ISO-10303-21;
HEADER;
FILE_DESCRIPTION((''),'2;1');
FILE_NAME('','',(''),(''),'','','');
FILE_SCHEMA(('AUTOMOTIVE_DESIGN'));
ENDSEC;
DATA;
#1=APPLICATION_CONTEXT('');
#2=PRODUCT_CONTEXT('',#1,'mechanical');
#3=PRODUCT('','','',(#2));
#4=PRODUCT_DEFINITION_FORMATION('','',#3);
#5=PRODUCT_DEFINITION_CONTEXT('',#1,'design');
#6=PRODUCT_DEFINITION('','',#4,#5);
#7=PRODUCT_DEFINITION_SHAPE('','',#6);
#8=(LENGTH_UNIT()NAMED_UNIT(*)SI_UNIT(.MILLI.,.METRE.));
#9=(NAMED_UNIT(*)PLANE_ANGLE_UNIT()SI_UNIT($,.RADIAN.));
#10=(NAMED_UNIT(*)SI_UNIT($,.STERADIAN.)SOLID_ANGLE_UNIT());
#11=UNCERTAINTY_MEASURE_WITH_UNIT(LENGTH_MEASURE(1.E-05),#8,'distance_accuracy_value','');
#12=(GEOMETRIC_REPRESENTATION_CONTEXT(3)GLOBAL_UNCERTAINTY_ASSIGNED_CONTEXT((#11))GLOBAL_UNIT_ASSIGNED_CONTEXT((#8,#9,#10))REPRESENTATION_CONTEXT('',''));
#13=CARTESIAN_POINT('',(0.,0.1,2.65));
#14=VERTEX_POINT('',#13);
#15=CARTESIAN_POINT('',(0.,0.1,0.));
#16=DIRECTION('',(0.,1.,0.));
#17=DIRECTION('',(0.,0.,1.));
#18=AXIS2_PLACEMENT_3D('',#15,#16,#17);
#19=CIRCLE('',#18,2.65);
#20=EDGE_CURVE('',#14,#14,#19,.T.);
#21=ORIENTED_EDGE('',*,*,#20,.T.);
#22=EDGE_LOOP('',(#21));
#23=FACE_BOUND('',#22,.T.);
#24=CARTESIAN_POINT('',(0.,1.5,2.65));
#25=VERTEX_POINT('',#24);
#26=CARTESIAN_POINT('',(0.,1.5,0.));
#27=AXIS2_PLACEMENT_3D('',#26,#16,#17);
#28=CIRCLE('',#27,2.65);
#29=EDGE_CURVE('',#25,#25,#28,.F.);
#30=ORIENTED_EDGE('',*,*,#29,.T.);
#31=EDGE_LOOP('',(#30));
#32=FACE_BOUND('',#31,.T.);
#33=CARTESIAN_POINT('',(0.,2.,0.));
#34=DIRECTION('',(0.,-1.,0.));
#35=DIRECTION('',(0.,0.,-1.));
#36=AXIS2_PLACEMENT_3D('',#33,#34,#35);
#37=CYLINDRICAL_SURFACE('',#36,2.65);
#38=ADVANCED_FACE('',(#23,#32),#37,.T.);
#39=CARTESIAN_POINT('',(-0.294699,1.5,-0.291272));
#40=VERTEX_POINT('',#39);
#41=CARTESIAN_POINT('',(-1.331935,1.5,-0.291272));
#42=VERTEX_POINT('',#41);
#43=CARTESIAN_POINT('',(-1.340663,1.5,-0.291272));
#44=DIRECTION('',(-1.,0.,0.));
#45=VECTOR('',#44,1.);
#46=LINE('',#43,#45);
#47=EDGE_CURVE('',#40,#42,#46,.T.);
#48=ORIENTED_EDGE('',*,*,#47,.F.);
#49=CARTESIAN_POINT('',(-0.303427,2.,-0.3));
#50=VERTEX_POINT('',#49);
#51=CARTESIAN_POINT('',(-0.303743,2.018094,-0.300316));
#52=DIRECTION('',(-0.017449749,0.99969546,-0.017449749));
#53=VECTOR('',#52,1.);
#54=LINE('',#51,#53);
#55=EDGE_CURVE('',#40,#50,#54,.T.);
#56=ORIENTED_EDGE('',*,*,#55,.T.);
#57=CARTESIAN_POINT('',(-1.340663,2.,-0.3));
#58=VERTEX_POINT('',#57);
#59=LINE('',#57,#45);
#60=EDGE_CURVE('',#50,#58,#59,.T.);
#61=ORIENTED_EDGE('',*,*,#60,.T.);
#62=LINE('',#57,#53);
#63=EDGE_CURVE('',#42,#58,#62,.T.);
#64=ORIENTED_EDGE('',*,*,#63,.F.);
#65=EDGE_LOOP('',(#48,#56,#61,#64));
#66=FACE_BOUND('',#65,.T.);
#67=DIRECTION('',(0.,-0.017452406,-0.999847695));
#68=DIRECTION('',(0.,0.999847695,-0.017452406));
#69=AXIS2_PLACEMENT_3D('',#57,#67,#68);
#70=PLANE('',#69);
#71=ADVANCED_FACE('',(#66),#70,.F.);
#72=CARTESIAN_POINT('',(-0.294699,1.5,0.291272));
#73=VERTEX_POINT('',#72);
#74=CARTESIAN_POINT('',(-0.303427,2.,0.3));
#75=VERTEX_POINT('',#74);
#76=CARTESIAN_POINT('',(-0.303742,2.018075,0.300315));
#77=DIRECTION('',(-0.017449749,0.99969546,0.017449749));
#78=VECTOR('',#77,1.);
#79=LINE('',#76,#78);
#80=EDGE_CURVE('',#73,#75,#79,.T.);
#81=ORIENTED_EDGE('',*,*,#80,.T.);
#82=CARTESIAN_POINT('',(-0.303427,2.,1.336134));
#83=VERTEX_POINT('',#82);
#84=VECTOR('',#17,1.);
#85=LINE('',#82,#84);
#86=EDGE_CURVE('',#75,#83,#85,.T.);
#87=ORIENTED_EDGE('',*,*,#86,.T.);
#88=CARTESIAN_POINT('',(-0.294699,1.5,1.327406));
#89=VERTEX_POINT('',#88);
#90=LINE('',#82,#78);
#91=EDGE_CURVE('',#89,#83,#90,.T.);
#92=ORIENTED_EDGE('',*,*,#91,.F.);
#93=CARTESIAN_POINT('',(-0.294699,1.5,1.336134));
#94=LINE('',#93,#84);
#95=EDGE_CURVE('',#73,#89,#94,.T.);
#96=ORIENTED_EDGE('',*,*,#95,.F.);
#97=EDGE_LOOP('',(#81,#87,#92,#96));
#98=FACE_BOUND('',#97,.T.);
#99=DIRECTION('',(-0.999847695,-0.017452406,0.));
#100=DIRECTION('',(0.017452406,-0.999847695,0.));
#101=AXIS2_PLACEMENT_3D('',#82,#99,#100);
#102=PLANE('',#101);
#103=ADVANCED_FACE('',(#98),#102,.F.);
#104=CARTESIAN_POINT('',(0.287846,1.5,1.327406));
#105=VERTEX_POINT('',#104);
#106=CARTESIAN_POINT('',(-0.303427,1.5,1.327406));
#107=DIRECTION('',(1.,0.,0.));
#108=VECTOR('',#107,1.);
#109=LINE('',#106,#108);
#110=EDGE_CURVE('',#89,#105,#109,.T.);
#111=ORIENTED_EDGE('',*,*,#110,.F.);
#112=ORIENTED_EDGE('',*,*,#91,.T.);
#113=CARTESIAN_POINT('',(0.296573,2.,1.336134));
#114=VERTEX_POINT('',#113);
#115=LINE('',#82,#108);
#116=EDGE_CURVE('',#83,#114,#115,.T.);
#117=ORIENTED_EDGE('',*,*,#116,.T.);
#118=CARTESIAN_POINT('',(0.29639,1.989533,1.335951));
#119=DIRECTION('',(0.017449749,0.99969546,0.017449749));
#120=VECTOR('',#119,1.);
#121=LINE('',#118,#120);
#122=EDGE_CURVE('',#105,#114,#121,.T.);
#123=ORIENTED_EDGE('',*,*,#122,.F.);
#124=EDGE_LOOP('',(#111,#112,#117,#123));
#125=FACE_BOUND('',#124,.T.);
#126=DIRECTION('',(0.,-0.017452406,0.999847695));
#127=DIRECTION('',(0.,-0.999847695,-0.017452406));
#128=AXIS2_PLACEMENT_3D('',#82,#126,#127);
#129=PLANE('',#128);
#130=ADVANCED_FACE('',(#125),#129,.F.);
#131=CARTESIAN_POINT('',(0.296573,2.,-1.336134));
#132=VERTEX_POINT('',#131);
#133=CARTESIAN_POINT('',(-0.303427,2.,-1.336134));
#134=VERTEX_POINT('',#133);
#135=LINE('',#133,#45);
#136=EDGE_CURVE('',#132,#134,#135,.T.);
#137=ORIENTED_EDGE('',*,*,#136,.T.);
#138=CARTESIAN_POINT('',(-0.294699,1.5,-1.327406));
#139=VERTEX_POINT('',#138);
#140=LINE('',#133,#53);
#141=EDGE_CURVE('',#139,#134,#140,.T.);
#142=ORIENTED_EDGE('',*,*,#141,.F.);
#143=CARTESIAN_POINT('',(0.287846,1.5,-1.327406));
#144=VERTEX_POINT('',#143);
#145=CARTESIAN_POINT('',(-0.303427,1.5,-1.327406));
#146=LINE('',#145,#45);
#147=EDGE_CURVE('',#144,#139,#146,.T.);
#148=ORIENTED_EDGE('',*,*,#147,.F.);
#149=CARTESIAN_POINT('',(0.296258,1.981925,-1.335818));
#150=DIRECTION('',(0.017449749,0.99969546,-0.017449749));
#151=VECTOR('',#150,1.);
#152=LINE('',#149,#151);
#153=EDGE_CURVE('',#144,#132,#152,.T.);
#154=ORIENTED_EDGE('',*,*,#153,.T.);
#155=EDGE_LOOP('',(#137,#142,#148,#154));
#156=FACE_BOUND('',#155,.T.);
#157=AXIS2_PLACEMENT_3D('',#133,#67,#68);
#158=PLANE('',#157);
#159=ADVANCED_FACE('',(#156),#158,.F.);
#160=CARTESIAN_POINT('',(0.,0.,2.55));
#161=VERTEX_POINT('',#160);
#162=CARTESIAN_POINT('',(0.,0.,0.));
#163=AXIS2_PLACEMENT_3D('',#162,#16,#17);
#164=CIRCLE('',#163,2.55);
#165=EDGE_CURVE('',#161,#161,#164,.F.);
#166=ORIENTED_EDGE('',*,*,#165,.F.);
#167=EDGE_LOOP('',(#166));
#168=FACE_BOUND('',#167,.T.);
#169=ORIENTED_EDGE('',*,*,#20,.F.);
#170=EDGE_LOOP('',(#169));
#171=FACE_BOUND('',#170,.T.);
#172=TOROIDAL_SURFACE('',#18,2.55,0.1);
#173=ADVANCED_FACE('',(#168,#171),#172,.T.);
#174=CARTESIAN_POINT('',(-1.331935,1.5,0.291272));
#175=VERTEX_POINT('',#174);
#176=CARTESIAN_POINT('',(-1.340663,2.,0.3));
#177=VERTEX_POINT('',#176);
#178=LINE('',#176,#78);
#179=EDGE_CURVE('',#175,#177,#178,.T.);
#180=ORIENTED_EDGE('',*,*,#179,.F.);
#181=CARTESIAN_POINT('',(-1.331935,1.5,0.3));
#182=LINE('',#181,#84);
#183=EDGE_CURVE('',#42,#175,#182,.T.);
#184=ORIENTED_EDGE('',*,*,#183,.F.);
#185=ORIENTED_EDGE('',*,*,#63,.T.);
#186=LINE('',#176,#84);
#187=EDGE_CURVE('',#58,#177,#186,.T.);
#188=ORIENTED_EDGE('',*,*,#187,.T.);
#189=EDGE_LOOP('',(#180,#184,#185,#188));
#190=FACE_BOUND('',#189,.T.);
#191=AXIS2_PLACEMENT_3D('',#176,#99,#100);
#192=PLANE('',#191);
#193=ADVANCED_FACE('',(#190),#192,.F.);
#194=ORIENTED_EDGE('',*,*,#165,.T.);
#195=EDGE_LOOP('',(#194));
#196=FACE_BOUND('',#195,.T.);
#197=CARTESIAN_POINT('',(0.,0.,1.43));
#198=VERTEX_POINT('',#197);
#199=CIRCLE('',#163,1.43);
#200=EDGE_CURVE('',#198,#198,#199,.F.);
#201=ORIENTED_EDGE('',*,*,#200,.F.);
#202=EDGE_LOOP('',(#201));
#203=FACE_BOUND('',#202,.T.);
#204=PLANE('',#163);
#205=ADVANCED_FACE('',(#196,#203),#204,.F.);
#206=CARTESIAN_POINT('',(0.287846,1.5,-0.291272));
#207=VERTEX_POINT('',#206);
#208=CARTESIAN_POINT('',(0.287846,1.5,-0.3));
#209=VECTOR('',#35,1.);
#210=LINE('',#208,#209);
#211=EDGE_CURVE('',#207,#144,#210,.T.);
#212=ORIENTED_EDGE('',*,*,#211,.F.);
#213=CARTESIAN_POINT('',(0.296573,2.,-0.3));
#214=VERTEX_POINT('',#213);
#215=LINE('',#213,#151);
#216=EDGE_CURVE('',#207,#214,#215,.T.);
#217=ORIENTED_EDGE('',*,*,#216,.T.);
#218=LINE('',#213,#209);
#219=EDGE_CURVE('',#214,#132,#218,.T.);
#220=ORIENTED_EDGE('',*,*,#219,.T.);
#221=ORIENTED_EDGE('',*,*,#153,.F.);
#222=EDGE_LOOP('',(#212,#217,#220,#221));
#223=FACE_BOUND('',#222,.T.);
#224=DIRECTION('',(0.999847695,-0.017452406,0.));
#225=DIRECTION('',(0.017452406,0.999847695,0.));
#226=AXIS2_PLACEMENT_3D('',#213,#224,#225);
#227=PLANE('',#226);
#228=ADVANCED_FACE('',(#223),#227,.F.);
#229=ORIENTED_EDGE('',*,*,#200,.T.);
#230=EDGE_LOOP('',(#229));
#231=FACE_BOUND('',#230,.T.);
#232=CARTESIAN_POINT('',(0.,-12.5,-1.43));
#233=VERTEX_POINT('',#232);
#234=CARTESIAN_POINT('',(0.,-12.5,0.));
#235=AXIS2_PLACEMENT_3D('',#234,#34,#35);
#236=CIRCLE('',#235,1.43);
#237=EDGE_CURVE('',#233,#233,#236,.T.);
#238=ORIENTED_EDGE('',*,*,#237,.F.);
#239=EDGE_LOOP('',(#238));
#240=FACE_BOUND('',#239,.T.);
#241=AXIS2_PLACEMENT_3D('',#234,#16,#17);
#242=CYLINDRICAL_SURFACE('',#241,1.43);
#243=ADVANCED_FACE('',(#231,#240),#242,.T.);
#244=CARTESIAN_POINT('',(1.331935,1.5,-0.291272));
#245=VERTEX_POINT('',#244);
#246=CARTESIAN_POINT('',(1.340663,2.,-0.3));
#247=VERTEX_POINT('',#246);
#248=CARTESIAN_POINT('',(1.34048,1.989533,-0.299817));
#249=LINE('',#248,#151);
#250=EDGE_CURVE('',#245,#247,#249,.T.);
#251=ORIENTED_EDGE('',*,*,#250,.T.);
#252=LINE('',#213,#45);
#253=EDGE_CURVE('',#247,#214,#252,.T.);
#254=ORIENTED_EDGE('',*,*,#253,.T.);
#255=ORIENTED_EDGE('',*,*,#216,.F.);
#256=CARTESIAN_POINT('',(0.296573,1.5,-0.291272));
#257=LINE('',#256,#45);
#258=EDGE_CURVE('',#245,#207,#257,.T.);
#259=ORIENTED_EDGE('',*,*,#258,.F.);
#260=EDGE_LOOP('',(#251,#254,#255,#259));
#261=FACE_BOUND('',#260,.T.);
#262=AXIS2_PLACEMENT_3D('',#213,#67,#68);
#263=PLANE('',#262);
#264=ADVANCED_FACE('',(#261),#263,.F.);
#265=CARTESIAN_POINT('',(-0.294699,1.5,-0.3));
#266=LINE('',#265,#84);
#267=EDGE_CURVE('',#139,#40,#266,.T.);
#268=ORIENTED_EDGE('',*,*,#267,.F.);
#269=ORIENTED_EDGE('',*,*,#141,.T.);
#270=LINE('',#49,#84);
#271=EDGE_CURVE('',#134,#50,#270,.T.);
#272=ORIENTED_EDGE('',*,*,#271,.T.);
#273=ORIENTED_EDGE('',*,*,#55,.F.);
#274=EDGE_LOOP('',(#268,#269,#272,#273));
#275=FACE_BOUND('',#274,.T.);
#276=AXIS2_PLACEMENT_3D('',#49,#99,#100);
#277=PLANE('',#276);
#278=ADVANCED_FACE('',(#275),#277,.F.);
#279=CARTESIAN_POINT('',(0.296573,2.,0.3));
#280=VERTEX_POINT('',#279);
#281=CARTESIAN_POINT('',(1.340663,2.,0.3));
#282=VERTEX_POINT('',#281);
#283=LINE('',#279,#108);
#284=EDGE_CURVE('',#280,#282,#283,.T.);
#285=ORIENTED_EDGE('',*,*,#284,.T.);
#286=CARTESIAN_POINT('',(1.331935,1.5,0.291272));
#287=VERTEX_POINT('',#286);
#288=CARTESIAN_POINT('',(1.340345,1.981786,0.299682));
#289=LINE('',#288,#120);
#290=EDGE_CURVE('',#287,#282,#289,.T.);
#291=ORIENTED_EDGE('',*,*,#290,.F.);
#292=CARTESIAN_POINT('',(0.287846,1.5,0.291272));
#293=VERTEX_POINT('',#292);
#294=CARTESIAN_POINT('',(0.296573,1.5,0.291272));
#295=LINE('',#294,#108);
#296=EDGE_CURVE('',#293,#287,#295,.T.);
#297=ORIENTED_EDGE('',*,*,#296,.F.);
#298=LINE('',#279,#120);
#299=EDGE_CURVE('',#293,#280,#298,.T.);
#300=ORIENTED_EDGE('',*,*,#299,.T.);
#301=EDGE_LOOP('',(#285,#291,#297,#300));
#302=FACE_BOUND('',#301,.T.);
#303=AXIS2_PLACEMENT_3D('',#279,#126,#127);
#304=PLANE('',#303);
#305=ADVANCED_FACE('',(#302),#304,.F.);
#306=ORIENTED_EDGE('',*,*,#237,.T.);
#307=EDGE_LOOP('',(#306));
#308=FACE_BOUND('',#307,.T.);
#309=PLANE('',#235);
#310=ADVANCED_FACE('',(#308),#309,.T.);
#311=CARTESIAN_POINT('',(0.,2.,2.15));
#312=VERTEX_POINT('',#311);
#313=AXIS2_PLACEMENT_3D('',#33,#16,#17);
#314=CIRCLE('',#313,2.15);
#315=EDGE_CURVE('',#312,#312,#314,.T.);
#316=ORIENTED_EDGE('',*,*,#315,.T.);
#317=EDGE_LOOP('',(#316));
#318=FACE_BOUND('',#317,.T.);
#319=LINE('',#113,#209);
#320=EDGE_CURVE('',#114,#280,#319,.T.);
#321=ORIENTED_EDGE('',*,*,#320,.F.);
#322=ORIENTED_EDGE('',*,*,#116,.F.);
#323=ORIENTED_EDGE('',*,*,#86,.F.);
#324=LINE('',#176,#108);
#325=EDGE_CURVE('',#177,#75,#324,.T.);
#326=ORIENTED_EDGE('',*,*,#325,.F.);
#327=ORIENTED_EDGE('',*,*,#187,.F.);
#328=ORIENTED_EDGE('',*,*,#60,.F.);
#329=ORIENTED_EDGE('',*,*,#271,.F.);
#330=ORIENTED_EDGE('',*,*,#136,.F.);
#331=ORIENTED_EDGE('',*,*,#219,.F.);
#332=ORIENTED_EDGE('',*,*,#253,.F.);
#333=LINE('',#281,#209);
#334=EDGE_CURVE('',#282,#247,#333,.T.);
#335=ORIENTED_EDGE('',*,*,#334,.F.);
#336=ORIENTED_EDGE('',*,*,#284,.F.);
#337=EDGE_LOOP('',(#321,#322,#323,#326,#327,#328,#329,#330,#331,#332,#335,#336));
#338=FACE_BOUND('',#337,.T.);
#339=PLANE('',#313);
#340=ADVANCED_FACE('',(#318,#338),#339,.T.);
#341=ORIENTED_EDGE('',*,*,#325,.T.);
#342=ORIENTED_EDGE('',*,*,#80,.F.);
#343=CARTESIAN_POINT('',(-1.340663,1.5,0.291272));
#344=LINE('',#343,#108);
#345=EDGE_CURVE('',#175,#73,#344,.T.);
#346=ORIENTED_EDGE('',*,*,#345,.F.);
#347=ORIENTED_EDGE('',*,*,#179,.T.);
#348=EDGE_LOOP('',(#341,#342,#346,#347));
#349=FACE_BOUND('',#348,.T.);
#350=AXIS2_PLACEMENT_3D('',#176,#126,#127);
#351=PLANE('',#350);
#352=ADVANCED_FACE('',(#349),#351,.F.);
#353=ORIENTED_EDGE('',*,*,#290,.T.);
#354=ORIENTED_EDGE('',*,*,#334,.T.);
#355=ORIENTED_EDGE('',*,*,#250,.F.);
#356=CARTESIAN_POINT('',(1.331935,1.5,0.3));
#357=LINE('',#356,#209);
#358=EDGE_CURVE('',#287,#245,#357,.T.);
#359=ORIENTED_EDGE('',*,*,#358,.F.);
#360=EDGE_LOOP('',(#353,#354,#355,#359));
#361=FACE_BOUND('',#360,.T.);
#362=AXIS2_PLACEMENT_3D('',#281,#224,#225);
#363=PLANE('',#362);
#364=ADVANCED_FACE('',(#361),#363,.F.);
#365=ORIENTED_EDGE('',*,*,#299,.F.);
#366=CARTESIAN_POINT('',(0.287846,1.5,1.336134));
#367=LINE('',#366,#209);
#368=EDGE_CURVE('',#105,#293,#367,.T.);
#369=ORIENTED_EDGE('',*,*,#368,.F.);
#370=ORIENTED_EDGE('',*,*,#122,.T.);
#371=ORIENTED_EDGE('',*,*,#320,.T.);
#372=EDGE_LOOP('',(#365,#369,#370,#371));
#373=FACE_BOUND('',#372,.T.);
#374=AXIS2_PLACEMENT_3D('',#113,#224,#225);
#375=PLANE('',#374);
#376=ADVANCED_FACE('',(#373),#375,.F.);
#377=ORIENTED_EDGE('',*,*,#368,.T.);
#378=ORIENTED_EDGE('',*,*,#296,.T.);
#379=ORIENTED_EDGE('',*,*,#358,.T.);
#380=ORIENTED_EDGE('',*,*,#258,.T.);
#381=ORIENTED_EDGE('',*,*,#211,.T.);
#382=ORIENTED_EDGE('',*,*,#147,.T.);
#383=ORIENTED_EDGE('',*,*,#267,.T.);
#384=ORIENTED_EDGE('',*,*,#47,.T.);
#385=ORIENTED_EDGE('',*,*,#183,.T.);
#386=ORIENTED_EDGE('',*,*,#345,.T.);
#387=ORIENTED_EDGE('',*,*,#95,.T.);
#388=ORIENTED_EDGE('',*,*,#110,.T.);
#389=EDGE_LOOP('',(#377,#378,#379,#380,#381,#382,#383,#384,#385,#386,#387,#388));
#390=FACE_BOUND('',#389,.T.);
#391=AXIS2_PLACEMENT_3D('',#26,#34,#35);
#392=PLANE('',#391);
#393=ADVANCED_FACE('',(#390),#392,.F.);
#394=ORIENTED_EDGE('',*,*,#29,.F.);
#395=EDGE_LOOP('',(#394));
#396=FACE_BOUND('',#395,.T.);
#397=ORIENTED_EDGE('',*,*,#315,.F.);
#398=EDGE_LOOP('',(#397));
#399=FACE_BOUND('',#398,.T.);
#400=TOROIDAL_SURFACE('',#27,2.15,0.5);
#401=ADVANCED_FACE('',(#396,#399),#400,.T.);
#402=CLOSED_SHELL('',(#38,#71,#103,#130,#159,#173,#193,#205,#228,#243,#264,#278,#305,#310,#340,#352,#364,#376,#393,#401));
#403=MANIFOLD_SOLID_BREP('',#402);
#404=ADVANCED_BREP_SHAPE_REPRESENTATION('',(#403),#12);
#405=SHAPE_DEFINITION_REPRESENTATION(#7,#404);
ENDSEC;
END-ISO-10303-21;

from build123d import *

# Parameters (mm, degrees)
SKETCH1_R           = 2.65
BOSS_EXTRUDE1_DEPTH = 2
SKETCH2_R           = 1.43
BOSS_EXTRUDE2_DEPTH = 12.5
FILLET1_R           = 0.5
FILLET2_R           = 0.1
CUT_EXTRUDE1_DEPTH  = 0.5
CUT_EXTRUDE1_TAPER  = 1


with BuildPart() as part:
    # Sketch1 → Boss-Extrude1 (new body)
    with BuildSketch(Plane(origin=(0, 0, 0), x_dir=(1, 0, 0), z_dir=(0, 1, 0))):
        Circle(SKETCH1_R)
    extrude(amount=BOSS_EXTRUDE1_DEPTH)

    # Sketch2 → Boss-Extrude2 (add)
    with BuildSketch(Plane.XZ):
        Circle(SKETCH2_R)
    extrude(amount=BOSS_EXTRUDE2_DEPTH)

    # Fillet1
    fillet1_edges = [part.edges().sort_by_distance(p)[0] for p in [
        (-2.65, 2, 0),
    ]]
    fillet(fillet1_edges, radius=FILLET1_R)

    # Fillet2
    fillet2_edges = [part.edges().sort_by_distance(p)[0] for p in [
        (-2.65, 0, 0),
    ]]
    fillet(fillet2_edges, radius=FILLET2_R)

    # Sketch3 → Cut-Extrude1 (cut)
    with BuildSketch(Plane(origin=(0, 2, 0), x_dir=(1, 0, 0), z_dir=(0, 1, 0))):
        Polygon((0.296573117, 0.3), (0.296573117, 1.336133674), (-0.303426883, 1.336133674), (-0.303426883, 0.3), (-1.340662941, 0.3), (-1.340662941, -0.3), (-0.303426883, -0.3), (-0.303426883, -1.336133674), (0.296573117, -1.336133674), (0.296573117, -0.3), (1.340662941, -0.3), (1.340662941, 0.3), align=None)
    extrude(amount=-CUT_EXTRUDE1_DEPTH, taper=CUT_EXTRUDE1_TAPER, mode=Mode.SUBTRACT)


solid = part.part
